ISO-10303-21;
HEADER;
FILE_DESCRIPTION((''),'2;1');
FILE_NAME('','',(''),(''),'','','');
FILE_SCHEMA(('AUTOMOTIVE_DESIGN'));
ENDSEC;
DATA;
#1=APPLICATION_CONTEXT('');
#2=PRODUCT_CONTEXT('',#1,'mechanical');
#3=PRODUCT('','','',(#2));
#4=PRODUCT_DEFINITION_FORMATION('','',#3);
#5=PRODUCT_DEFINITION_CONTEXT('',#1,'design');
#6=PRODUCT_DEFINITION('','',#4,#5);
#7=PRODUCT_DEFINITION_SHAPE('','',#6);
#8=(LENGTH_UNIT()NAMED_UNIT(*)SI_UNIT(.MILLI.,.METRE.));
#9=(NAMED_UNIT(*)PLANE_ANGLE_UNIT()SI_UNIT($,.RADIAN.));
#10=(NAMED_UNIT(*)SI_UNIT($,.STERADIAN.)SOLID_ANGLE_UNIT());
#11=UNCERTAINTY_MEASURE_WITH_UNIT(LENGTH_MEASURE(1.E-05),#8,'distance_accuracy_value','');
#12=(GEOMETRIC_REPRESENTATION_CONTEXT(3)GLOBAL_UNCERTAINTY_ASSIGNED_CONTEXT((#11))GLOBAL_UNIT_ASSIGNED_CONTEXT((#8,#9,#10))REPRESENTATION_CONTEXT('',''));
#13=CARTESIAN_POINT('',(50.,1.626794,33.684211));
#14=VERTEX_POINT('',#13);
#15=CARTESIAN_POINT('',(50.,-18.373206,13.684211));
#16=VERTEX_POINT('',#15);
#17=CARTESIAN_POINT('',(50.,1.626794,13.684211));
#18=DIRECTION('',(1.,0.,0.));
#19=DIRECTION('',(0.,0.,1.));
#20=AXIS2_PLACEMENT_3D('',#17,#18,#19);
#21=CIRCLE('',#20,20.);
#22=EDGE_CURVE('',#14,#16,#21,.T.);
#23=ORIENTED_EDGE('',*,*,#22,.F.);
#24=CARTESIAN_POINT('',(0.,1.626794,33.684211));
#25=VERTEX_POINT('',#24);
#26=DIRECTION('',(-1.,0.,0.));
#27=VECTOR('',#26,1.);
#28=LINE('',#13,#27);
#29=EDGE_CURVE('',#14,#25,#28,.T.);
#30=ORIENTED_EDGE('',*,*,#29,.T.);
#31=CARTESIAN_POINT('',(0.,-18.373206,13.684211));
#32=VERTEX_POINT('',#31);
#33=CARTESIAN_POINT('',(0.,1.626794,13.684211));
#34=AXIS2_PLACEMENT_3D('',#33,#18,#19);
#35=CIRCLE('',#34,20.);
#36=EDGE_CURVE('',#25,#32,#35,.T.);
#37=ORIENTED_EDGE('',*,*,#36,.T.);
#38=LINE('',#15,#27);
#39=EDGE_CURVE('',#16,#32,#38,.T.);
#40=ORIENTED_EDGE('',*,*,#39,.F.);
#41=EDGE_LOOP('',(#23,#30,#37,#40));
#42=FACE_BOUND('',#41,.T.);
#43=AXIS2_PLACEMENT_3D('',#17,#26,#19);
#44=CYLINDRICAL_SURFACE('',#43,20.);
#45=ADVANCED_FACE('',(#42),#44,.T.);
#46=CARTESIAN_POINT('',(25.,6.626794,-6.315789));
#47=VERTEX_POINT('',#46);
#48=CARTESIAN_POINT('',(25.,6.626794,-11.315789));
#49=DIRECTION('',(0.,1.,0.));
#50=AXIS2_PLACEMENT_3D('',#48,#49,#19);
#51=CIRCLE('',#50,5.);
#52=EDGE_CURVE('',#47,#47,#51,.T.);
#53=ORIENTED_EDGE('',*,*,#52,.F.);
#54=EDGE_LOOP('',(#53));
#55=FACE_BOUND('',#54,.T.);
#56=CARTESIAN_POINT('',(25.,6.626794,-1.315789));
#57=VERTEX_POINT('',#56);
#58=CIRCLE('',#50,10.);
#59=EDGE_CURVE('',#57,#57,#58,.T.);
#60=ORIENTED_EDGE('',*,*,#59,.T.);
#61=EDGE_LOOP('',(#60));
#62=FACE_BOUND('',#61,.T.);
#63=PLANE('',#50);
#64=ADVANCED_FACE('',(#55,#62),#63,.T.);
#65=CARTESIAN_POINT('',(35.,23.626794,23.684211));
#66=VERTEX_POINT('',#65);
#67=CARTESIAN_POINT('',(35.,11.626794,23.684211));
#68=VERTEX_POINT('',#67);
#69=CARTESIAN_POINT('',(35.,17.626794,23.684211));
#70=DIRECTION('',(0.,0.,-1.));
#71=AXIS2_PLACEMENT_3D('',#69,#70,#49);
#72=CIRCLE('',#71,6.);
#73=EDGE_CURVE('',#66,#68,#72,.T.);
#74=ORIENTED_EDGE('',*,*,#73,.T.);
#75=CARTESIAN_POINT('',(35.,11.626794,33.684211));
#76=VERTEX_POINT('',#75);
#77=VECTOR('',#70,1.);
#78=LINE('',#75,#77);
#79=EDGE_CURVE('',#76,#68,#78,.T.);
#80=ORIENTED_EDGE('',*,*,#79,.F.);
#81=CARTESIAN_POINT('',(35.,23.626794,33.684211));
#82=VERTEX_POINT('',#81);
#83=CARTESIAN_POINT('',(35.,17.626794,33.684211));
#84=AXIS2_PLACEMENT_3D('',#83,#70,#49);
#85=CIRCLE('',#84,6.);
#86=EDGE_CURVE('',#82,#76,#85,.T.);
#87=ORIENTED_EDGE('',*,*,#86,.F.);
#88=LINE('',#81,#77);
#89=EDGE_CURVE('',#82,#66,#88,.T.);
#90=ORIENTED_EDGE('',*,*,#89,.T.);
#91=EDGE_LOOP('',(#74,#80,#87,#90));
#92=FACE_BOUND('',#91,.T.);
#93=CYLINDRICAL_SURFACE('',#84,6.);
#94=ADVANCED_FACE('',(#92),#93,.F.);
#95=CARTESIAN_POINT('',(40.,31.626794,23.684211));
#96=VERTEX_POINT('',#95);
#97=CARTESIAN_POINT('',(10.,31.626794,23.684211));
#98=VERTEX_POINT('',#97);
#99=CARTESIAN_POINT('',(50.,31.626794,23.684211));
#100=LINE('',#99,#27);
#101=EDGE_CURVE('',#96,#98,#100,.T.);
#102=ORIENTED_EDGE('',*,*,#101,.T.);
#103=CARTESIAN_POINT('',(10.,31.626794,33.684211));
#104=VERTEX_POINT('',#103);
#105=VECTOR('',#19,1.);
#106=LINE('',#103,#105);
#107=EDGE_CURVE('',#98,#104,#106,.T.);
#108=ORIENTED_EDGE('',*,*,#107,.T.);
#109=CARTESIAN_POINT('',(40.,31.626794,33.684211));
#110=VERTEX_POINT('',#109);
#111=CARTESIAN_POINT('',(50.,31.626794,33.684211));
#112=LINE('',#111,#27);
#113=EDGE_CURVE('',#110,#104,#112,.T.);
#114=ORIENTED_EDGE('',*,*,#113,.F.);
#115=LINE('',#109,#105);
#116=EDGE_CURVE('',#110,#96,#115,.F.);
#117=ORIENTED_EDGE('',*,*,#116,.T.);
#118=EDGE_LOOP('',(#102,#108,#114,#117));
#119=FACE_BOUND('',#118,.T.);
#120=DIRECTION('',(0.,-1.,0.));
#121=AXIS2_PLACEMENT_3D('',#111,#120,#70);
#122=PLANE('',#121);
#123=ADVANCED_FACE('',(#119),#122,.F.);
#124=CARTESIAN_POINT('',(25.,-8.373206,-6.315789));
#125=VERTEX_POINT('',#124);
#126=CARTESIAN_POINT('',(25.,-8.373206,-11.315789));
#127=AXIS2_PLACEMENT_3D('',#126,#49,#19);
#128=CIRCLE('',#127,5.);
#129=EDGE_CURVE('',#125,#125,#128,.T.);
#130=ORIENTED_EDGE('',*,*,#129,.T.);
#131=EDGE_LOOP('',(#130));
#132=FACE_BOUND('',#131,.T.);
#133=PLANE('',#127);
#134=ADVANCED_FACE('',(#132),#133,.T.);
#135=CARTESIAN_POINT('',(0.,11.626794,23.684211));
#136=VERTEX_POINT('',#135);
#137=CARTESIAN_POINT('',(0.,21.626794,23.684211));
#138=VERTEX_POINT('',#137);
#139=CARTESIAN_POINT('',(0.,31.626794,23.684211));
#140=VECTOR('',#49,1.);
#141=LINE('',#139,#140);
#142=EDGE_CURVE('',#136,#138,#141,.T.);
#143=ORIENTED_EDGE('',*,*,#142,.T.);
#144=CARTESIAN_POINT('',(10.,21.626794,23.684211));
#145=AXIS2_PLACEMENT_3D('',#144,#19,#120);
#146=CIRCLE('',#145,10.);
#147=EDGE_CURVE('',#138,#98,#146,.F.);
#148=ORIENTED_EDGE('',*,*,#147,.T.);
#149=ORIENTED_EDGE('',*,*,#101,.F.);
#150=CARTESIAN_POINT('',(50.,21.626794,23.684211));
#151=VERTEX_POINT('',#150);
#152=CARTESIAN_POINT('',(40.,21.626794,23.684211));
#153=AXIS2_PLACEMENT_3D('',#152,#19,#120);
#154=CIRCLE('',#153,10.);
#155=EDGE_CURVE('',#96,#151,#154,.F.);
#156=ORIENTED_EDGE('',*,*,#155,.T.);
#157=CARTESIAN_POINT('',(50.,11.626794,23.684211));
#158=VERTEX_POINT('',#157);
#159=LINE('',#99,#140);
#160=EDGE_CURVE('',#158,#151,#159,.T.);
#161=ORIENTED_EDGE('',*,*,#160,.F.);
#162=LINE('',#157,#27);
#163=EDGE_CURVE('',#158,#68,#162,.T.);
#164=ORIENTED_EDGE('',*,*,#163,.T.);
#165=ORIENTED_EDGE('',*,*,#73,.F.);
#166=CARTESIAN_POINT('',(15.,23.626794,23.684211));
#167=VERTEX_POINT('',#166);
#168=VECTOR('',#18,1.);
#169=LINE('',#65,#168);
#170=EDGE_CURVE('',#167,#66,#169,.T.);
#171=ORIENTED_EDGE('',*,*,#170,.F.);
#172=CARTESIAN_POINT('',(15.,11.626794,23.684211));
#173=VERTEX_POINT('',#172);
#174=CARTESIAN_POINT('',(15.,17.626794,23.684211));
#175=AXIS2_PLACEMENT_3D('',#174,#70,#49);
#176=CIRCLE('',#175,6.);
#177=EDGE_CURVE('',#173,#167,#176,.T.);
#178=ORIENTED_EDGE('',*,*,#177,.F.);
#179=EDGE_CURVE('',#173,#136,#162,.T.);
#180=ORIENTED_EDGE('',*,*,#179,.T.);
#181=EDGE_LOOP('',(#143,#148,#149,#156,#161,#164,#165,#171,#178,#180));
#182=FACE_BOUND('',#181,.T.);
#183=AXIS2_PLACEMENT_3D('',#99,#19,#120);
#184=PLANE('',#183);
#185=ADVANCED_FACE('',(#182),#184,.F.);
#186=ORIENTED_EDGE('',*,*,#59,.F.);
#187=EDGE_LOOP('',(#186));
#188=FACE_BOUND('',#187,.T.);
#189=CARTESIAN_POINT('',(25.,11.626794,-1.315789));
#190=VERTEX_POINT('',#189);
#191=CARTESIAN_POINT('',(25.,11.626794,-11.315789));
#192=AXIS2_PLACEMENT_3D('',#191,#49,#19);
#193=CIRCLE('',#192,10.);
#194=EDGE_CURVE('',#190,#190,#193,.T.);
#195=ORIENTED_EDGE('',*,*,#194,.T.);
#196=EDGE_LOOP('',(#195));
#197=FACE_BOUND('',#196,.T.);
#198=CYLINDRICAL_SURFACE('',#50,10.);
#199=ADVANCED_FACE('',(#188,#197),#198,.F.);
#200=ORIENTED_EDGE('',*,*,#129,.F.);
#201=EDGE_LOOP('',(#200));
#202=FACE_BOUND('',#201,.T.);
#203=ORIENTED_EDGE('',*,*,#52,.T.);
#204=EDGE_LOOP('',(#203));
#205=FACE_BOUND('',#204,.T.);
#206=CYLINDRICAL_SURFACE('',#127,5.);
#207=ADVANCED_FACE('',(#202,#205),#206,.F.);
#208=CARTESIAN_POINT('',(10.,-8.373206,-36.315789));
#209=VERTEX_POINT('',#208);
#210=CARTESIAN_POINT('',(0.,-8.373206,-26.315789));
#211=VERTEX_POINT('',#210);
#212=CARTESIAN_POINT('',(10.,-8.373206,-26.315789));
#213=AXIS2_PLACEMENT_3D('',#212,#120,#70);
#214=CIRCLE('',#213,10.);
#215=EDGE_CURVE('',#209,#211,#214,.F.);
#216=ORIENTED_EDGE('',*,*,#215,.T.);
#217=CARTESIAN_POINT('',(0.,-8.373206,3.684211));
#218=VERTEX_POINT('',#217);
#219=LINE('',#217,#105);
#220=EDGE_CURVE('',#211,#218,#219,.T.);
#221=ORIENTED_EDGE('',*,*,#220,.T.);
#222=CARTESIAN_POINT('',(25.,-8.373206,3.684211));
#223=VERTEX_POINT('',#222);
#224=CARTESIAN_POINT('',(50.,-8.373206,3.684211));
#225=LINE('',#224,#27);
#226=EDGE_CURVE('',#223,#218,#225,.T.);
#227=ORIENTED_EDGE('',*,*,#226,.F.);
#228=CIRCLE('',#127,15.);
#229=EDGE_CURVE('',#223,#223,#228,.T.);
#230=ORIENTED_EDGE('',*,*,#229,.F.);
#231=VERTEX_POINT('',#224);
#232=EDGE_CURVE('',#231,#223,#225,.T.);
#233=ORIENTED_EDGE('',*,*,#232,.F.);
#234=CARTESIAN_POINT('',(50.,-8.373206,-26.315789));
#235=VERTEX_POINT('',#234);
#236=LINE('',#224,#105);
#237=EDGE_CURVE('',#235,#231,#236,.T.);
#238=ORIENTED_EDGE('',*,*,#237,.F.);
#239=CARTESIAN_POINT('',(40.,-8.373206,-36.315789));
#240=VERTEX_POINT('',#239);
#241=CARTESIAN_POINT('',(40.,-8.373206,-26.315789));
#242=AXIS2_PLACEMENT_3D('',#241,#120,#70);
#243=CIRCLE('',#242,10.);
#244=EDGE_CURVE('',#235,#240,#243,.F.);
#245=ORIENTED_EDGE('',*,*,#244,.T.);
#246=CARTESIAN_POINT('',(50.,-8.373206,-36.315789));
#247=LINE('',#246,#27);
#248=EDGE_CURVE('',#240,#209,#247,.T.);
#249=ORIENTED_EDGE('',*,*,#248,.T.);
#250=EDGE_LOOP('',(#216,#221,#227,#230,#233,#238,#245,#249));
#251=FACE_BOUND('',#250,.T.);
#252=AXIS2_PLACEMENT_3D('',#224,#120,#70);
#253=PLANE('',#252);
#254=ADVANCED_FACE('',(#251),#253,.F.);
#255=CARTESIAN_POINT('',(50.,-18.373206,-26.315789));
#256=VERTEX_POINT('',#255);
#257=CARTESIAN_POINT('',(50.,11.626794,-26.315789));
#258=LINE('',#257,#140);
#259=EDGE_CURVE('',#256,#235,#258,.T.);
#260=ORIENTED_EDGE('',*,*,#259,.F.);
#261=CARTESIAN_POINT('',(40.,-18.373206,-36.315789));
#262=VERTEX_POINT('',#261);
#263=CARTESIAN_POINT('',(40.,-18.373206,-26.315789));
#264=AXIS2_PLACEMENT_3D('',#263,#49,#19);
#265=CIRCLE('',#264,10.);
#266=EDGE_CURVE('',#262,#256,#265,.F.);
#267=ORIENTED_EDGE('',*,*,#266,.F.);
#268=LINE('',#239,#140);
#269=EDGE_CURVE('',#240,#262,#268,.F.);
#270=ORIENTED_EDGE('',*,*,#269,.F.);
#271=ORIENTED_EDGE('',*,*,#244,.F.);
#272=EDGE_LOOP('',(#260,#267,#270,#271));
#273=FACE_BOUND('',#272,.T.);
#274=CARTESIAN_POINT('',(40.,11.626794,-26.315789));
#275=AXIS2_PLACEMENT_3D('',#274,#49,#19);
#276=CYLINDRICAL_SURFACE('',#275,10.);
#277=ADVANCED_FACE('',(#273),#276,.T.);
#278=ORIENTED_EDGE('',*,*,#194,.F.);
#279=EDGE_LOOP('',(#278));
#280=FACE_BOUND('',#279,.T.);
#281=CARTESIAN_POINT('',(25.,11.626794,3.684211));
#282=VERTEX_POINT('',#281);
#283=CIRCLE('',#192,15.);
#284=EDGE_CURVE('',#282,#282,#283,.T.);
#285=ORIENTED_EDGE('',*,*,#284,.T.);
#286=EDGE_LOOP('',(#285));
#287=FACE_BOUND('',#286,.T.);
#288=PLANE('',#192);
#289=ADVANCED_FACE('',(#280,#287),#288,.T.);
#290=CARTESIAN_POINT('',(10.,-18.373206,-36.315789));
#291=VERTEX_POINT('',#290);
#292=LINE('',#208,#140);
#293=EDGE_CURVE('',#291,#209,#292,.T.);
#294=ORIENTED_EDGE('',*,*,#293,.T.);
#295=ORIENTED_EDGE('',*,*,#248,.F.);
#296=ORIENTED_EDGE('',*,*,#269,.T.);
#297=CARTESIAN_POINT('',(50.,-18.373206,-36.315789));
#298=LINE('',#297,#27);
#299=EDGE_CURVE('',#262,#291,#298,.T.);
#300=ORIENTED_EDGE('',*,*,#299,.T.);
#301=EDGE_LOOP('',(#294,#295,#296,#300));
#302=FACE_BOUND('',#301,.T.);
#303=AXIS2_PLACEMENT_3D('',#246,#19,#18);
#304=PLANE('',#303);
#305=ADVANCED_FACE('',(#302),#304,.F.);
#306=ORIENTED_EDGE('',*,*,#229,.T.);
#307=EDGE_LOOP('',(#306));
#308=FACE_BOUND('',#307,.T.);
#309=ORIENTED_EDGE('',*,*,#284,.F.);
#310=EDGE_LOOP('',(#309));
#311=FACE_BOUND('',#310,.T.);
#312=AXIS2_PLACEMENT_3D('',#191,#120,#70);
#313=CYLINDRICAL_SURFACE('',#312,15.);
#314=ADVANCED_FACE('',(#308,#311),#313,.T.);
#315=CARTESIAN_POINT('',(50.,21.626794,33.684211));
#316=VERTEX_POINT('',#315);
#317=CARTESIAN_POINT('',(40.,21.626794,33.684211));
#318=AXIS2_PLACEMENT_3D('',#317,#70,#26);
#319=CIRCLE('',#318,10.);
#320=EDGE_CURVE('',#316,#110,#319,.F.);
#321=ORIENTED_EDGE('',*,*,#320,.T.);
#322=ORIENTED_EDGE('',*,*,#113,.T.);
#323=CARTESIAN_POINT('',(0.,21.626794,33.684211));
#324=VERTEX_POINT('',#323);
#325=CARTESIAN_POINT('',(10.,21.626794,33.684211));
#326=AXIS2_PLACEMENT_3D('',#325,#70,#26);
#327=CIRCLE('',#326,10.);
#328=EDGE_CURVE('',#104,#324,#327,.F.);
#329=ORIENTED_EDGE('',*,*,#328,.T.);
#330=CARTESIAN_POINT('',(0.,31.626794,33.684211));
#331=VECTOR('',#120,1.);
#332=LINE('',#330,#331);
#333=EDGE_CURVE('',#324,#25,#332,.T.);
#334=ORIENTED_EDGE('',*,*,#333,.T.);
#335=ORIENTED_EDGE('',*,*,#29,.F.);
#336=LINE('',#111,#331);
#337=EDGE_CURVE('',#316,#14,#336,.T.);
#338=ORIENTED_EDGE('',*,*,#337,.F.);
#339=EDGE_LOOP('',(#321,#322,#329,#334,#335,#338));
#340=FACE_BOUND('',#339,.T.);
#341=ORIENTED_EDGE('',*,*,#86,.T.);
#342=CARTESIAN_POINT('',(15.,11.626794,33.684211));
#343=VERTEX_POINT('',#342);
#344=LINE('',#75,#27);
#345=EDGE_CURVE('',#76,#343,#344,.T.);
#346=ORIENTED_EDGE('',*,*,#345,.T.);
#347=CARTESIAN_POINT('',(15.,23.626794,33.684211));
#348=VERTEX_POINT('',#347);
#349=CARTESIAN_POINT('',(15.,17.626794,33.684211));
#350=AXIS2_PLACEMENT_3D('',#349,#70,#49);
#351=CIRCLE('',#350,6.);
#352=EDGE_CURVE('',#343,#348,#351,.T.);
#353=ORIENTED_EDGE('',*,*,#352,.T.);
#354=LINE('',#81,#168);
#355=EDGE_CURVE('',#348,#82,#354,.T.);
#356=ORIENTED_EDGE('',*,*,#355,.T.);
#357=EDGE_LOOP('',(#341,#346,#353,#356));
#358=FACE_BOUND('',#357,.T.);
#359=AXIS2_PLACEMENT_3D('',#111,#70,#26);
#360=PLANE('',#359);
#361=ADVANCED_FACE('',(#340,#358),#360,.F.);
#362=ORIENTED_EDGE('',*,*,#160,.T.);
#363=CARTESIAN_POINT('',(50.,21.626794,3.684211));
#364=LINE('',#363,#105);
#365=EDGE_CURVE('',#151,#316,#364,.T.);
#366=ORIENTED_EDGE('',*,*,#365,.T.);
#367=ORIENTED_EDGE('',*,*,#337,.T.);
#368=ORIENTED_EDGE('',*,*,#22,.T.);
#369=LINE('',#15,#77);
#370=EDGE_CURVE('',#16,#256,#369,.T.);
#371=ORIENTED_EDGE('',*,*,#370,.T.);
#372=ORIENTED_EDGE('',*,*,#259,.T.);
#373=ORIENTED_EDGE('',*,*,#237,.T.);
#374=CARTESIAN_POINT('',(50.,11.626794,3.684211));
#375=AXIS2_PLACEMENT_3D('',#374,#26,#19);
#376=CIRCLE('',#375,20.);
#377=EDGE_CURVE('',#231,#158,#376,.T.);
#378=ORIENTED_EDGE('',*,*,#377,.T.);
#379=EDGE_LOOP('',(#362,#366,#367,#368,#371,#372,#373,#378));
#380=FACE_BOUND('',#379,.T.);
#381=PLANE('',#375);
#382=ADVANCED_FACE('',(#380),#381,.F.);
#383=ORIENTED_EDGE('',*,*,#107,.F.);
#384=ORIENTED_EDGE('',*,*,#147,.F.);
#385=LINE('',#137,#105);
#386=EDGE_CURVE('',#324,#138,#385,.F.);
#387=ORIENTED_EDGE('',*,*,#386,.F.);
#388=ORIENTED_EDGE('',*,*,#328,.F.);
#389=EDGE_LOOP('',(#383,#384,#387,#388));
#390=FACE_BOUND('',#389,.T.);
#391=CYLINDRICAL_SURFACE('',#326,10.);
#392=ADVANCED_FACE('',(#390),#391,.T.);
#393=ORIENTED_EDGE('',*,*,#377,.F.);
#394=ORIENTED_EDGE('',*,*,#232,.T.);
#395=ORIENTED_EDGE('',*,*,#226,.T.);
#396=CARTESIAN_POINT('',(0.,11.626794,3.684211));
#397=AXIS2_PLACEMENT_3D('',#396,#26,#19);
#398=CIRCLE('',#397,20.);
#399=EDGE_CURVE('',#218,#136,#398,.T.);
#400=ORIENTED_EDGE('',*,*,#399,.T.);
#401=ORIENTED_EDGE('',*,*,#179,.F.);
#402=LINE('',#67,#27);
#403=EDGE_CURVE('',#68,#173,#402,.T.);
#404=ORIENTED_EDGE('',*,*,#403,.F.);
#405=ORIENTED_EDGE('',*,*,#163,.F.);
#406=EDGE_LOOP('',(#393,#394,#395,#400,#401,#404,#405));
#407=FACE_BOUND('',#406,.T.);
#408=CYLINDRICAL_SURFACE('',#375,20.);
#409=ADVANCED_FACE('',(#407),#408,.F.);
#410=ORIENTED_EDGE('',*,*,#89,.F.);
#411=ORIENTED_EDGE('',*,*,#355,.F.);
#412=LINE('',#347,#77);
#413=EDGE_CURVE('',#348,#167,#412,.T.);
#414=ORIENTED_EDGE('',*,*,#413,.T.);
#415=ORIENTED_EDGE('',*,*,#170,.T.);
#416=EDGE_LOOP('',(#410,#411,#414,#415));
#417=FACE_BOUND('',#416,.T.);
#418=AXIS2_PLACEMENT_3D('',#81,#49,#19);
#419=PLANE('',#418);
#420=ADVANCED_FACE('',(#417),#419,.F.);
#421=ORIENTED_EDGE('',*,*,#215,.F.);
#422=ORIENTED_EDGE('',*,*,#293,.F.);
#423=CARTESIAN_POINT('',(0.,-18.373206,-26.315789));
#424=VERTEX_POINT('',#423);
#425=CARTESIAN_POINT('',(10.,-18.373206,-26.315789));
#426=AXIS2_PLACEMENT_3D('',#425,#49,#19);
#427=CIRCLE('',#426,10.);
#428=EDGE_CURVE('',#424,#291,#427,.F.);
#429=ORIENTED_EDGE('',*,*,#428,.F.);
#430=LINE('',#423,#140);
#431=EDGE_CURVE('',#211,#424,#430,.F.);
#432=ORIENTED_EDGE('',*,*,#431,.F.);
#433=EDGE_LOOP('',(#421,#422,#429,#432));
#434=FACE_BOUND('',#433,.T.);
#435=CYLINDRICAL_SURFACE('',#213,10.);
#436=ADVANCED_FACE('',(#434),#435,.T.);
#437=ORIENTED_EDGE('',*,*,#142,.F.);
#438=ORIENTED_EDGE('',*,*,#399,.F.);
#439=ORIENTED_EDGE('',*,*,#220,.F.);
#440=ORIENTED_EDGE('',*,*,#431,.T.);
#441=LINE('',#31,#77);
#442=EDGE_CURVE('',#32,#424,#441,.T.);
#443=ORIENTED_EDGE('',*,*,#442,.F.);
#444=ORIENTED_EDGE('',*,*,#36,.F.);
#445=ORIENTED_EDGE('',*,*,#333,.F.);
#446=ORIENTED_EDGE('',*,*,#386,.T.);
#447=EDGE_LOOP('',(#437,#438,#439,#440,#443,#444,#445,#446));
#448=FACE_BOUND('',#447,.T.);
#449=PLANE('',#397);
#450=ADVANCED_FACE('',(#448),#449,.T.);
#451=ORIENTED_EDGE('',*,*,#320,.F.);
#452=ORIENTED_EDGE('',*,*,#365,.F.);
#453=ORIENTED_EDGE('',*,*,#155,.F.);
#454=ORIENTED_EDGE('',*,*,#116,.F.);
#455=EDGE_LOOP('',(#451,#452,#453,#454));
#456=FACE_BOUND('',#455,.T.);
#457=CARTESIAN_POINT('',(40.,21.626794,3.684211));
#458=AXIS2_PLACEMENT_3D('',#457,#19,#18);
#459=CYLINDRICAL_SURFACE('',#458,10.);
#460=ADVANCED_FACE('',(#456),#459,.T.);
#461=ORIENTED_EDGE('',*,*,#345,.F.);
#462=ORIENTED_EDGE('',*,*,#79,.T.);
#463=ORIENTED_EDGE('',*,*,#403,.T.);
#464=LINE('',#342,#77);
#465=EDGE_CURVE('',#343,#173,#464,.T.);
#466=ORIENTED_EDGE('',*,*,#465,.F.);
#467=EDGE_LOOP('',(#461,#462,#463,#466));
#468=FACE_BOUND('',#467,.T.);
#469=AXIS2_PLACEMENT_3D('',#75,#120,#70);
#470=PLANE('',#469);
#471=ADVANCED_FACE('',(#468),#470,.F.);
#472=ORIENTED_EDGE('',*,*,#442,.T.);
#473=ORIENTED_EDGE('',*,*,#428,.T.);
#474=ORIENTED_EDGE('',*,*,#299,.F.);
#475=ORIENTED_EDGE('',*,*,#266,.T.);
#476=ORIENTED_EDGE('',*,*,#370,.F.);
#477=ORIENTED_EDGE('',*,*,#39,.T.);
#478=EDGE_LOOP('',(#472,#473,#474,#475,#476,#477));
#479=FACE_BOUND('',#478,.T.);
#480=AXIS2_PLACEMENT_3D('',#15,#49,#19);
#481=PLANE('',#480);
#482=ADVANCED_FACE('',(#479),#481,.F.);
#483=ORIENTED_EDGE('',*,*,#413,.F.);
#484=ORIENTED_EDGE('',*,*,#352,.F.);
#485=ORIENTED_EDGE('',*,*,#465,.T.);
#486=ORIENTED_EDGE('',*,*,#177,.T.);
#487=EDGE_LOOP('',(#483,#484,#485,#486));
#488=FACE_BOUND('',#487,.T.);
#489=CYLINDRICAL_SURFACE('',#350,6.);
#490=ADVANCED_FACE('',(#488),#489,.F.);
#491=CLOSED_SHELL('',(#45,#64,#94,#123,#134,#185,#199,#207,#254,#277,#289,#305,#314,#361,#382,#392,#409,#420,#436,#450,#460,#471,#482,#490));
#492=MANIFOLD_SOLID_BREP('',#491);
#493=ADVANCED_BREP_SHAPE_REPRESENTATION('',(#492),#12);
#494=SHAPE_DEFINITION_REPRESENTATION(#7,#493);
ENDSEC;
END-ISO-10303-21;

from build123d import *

# Parameters (mm, degrees)
SALIENTE_EXTRUIR1_DEPTH = 50
CORTAR_EXTRUIR1_DEPTH   = 85.263005614
REDONDEO1_R             = 10
REDONDEO2_R             = 10
REDONDEO3_R             = 10
REDONDEO4_R             = 10
CROQUIS5_R              = 15
SALIENTE_EXTRUIR5_DEPTH = 20
CROQUIS7_R              = 10
CORTAR_EXTRUIR3_DEPTH   = 5
CROQUIS9_R              = 5
CORTAR_EXTRUIR4_DEPTH   = 15


with BuildPart() as part:
    # Croquis1 → Saliente-Extruir1 (new body)
    with BuildSketch(Plane(origin=(0, 0, 0), x_dir=(0, 0, -1), z_dir=(1, 0, 0))):
        with BuildLine():
            Line((-33.684210526, 31.626794258), (-33.684210526, 1.626794258))
            ThreePointArc((-33.684210526, 1.626794258), (-27.82634615, -12.515341365), (-13.684210526, -18.373205742))
            Line((-13.684210526, -18.373205742), (36.315789474, -18.373205742))
            Line((36.315789474, -18.373205742), (36.315789474, -8.373205742))
            Line((36.315789474, -8.373205742), (-3.684210526, -8.373205742))
            ThreePointArc((-3.684210526, -8.373205742), (-17.82634615, -2.515341365), (-23.684210526, 11.626794258))
            Line((-23.684210526, 11.626794258), (-23.684210526, 31.626794258))
            Line((-23.684210526, 31.626794258), (-33.684210526, 31.626794258))
        make_face()
    extrude(amount=SALIENTE_EXTRUIR1_DEPTH)

    # Croquis2 → Cortar-Extruir1 (cut, through all)
    with BuildSketch(Plane(origin=(0, 0, 23.684210526), x_dir=(-1, 0, 0), z_dir=(0, 0, -1))):
        with BuildLine():
            Line((-35, 23.626794258), (-15, 23.626794258))
            ThreePointArc((-15, 23.626794258), (-9, 17.626794258), (-15, 11.626794258))
            Line((-15, 11.626794258), (-35, 11.626794258))
            ThreePointArc((-35, 11.626794258), (-41, 17.626794258), (-35, 23.626794258))
        make_face()
    extrude(amount=-CORTAR_EXTRUIR1_DEPTH, mode=Mode.SUBTRACT)

    # Redondeo1
    redondeo1_edges = [part.edges().sort_by_distance(p)[0] for p in [
        (50, 31.626794258, 28.684210526),
    ]]
    fillet(redondeo1_edges, radius=REDONDEO1_R)

    # Redondeo2
    redondeo2_edges = [part.edges().sort_by_distance(p)[0] for p in [
        (0, 31.626794258, 28.684210526),
    ]]
    fillet(redondeo2_edges, radius=REDONDEO2_R)

    # Redondeo3
    redondeo3_edges = [part.edges().sort_by_distance(p)[0] for p in [
        (50, -13.373205742, -36.315789474),
    ]]
    fillet(redondeo3_edges, radius=REDONDEO3_R)

    # Redondeo4
    redondeo4_edges = [part.edges().sort_by_distance(p)[0] for p in [
        (0, -13.373205742, -36.315789474),
    ]]
    fillet(redondeo4_edges, radius=REDONDEO4_R)

    # Croquis5 → Saliente-Extruir5 (add)
    with BuildSketch(Plane(origin=(0, -8.373205742, 0), x_dir=(1, 0, 0), z_dir=(0, 1, 0))):
        with Locations(Location((25, 11.315789474, 0), (0, 0, 270))):
            Circle(CROQUIS5_R)
    extrude(amount=SALIENTE_EXTRUIR5_DEPTH)

    # Croquis7 → Cortar-Extruir3 (cut)
    with BuildSketch(Plane(origin=(0, 11.626794258, 0), x_dir=(1, 0, 0), z_dir=(0, 1, 0))):
        with Locations(Location((25, 11.315789474, 0), (0, 0, 270))):
            Circle(CROQUIS7_R)
    extrude(amount=-CORTAR_EXTRUIR3_DEPTH, mode=Mode.SUBTRACT)

    # Croquis9 → Cortar-Extruir4 (cut)
    with BuildSketch(Plane(origin=(0, 6.626794258, 0), x_dir=(1, 0, 0), z_dir=(0, 1, 0))):
        with Locations(Location((25, 11.315789474, 0), (0, 0, 270))):
            Circle(CROQUIS9_R)
    extrude(amount=-CORTAR_EXTRUIR4_DEPTH, mode=Mode.SUBTRACT)


solid = part.part
